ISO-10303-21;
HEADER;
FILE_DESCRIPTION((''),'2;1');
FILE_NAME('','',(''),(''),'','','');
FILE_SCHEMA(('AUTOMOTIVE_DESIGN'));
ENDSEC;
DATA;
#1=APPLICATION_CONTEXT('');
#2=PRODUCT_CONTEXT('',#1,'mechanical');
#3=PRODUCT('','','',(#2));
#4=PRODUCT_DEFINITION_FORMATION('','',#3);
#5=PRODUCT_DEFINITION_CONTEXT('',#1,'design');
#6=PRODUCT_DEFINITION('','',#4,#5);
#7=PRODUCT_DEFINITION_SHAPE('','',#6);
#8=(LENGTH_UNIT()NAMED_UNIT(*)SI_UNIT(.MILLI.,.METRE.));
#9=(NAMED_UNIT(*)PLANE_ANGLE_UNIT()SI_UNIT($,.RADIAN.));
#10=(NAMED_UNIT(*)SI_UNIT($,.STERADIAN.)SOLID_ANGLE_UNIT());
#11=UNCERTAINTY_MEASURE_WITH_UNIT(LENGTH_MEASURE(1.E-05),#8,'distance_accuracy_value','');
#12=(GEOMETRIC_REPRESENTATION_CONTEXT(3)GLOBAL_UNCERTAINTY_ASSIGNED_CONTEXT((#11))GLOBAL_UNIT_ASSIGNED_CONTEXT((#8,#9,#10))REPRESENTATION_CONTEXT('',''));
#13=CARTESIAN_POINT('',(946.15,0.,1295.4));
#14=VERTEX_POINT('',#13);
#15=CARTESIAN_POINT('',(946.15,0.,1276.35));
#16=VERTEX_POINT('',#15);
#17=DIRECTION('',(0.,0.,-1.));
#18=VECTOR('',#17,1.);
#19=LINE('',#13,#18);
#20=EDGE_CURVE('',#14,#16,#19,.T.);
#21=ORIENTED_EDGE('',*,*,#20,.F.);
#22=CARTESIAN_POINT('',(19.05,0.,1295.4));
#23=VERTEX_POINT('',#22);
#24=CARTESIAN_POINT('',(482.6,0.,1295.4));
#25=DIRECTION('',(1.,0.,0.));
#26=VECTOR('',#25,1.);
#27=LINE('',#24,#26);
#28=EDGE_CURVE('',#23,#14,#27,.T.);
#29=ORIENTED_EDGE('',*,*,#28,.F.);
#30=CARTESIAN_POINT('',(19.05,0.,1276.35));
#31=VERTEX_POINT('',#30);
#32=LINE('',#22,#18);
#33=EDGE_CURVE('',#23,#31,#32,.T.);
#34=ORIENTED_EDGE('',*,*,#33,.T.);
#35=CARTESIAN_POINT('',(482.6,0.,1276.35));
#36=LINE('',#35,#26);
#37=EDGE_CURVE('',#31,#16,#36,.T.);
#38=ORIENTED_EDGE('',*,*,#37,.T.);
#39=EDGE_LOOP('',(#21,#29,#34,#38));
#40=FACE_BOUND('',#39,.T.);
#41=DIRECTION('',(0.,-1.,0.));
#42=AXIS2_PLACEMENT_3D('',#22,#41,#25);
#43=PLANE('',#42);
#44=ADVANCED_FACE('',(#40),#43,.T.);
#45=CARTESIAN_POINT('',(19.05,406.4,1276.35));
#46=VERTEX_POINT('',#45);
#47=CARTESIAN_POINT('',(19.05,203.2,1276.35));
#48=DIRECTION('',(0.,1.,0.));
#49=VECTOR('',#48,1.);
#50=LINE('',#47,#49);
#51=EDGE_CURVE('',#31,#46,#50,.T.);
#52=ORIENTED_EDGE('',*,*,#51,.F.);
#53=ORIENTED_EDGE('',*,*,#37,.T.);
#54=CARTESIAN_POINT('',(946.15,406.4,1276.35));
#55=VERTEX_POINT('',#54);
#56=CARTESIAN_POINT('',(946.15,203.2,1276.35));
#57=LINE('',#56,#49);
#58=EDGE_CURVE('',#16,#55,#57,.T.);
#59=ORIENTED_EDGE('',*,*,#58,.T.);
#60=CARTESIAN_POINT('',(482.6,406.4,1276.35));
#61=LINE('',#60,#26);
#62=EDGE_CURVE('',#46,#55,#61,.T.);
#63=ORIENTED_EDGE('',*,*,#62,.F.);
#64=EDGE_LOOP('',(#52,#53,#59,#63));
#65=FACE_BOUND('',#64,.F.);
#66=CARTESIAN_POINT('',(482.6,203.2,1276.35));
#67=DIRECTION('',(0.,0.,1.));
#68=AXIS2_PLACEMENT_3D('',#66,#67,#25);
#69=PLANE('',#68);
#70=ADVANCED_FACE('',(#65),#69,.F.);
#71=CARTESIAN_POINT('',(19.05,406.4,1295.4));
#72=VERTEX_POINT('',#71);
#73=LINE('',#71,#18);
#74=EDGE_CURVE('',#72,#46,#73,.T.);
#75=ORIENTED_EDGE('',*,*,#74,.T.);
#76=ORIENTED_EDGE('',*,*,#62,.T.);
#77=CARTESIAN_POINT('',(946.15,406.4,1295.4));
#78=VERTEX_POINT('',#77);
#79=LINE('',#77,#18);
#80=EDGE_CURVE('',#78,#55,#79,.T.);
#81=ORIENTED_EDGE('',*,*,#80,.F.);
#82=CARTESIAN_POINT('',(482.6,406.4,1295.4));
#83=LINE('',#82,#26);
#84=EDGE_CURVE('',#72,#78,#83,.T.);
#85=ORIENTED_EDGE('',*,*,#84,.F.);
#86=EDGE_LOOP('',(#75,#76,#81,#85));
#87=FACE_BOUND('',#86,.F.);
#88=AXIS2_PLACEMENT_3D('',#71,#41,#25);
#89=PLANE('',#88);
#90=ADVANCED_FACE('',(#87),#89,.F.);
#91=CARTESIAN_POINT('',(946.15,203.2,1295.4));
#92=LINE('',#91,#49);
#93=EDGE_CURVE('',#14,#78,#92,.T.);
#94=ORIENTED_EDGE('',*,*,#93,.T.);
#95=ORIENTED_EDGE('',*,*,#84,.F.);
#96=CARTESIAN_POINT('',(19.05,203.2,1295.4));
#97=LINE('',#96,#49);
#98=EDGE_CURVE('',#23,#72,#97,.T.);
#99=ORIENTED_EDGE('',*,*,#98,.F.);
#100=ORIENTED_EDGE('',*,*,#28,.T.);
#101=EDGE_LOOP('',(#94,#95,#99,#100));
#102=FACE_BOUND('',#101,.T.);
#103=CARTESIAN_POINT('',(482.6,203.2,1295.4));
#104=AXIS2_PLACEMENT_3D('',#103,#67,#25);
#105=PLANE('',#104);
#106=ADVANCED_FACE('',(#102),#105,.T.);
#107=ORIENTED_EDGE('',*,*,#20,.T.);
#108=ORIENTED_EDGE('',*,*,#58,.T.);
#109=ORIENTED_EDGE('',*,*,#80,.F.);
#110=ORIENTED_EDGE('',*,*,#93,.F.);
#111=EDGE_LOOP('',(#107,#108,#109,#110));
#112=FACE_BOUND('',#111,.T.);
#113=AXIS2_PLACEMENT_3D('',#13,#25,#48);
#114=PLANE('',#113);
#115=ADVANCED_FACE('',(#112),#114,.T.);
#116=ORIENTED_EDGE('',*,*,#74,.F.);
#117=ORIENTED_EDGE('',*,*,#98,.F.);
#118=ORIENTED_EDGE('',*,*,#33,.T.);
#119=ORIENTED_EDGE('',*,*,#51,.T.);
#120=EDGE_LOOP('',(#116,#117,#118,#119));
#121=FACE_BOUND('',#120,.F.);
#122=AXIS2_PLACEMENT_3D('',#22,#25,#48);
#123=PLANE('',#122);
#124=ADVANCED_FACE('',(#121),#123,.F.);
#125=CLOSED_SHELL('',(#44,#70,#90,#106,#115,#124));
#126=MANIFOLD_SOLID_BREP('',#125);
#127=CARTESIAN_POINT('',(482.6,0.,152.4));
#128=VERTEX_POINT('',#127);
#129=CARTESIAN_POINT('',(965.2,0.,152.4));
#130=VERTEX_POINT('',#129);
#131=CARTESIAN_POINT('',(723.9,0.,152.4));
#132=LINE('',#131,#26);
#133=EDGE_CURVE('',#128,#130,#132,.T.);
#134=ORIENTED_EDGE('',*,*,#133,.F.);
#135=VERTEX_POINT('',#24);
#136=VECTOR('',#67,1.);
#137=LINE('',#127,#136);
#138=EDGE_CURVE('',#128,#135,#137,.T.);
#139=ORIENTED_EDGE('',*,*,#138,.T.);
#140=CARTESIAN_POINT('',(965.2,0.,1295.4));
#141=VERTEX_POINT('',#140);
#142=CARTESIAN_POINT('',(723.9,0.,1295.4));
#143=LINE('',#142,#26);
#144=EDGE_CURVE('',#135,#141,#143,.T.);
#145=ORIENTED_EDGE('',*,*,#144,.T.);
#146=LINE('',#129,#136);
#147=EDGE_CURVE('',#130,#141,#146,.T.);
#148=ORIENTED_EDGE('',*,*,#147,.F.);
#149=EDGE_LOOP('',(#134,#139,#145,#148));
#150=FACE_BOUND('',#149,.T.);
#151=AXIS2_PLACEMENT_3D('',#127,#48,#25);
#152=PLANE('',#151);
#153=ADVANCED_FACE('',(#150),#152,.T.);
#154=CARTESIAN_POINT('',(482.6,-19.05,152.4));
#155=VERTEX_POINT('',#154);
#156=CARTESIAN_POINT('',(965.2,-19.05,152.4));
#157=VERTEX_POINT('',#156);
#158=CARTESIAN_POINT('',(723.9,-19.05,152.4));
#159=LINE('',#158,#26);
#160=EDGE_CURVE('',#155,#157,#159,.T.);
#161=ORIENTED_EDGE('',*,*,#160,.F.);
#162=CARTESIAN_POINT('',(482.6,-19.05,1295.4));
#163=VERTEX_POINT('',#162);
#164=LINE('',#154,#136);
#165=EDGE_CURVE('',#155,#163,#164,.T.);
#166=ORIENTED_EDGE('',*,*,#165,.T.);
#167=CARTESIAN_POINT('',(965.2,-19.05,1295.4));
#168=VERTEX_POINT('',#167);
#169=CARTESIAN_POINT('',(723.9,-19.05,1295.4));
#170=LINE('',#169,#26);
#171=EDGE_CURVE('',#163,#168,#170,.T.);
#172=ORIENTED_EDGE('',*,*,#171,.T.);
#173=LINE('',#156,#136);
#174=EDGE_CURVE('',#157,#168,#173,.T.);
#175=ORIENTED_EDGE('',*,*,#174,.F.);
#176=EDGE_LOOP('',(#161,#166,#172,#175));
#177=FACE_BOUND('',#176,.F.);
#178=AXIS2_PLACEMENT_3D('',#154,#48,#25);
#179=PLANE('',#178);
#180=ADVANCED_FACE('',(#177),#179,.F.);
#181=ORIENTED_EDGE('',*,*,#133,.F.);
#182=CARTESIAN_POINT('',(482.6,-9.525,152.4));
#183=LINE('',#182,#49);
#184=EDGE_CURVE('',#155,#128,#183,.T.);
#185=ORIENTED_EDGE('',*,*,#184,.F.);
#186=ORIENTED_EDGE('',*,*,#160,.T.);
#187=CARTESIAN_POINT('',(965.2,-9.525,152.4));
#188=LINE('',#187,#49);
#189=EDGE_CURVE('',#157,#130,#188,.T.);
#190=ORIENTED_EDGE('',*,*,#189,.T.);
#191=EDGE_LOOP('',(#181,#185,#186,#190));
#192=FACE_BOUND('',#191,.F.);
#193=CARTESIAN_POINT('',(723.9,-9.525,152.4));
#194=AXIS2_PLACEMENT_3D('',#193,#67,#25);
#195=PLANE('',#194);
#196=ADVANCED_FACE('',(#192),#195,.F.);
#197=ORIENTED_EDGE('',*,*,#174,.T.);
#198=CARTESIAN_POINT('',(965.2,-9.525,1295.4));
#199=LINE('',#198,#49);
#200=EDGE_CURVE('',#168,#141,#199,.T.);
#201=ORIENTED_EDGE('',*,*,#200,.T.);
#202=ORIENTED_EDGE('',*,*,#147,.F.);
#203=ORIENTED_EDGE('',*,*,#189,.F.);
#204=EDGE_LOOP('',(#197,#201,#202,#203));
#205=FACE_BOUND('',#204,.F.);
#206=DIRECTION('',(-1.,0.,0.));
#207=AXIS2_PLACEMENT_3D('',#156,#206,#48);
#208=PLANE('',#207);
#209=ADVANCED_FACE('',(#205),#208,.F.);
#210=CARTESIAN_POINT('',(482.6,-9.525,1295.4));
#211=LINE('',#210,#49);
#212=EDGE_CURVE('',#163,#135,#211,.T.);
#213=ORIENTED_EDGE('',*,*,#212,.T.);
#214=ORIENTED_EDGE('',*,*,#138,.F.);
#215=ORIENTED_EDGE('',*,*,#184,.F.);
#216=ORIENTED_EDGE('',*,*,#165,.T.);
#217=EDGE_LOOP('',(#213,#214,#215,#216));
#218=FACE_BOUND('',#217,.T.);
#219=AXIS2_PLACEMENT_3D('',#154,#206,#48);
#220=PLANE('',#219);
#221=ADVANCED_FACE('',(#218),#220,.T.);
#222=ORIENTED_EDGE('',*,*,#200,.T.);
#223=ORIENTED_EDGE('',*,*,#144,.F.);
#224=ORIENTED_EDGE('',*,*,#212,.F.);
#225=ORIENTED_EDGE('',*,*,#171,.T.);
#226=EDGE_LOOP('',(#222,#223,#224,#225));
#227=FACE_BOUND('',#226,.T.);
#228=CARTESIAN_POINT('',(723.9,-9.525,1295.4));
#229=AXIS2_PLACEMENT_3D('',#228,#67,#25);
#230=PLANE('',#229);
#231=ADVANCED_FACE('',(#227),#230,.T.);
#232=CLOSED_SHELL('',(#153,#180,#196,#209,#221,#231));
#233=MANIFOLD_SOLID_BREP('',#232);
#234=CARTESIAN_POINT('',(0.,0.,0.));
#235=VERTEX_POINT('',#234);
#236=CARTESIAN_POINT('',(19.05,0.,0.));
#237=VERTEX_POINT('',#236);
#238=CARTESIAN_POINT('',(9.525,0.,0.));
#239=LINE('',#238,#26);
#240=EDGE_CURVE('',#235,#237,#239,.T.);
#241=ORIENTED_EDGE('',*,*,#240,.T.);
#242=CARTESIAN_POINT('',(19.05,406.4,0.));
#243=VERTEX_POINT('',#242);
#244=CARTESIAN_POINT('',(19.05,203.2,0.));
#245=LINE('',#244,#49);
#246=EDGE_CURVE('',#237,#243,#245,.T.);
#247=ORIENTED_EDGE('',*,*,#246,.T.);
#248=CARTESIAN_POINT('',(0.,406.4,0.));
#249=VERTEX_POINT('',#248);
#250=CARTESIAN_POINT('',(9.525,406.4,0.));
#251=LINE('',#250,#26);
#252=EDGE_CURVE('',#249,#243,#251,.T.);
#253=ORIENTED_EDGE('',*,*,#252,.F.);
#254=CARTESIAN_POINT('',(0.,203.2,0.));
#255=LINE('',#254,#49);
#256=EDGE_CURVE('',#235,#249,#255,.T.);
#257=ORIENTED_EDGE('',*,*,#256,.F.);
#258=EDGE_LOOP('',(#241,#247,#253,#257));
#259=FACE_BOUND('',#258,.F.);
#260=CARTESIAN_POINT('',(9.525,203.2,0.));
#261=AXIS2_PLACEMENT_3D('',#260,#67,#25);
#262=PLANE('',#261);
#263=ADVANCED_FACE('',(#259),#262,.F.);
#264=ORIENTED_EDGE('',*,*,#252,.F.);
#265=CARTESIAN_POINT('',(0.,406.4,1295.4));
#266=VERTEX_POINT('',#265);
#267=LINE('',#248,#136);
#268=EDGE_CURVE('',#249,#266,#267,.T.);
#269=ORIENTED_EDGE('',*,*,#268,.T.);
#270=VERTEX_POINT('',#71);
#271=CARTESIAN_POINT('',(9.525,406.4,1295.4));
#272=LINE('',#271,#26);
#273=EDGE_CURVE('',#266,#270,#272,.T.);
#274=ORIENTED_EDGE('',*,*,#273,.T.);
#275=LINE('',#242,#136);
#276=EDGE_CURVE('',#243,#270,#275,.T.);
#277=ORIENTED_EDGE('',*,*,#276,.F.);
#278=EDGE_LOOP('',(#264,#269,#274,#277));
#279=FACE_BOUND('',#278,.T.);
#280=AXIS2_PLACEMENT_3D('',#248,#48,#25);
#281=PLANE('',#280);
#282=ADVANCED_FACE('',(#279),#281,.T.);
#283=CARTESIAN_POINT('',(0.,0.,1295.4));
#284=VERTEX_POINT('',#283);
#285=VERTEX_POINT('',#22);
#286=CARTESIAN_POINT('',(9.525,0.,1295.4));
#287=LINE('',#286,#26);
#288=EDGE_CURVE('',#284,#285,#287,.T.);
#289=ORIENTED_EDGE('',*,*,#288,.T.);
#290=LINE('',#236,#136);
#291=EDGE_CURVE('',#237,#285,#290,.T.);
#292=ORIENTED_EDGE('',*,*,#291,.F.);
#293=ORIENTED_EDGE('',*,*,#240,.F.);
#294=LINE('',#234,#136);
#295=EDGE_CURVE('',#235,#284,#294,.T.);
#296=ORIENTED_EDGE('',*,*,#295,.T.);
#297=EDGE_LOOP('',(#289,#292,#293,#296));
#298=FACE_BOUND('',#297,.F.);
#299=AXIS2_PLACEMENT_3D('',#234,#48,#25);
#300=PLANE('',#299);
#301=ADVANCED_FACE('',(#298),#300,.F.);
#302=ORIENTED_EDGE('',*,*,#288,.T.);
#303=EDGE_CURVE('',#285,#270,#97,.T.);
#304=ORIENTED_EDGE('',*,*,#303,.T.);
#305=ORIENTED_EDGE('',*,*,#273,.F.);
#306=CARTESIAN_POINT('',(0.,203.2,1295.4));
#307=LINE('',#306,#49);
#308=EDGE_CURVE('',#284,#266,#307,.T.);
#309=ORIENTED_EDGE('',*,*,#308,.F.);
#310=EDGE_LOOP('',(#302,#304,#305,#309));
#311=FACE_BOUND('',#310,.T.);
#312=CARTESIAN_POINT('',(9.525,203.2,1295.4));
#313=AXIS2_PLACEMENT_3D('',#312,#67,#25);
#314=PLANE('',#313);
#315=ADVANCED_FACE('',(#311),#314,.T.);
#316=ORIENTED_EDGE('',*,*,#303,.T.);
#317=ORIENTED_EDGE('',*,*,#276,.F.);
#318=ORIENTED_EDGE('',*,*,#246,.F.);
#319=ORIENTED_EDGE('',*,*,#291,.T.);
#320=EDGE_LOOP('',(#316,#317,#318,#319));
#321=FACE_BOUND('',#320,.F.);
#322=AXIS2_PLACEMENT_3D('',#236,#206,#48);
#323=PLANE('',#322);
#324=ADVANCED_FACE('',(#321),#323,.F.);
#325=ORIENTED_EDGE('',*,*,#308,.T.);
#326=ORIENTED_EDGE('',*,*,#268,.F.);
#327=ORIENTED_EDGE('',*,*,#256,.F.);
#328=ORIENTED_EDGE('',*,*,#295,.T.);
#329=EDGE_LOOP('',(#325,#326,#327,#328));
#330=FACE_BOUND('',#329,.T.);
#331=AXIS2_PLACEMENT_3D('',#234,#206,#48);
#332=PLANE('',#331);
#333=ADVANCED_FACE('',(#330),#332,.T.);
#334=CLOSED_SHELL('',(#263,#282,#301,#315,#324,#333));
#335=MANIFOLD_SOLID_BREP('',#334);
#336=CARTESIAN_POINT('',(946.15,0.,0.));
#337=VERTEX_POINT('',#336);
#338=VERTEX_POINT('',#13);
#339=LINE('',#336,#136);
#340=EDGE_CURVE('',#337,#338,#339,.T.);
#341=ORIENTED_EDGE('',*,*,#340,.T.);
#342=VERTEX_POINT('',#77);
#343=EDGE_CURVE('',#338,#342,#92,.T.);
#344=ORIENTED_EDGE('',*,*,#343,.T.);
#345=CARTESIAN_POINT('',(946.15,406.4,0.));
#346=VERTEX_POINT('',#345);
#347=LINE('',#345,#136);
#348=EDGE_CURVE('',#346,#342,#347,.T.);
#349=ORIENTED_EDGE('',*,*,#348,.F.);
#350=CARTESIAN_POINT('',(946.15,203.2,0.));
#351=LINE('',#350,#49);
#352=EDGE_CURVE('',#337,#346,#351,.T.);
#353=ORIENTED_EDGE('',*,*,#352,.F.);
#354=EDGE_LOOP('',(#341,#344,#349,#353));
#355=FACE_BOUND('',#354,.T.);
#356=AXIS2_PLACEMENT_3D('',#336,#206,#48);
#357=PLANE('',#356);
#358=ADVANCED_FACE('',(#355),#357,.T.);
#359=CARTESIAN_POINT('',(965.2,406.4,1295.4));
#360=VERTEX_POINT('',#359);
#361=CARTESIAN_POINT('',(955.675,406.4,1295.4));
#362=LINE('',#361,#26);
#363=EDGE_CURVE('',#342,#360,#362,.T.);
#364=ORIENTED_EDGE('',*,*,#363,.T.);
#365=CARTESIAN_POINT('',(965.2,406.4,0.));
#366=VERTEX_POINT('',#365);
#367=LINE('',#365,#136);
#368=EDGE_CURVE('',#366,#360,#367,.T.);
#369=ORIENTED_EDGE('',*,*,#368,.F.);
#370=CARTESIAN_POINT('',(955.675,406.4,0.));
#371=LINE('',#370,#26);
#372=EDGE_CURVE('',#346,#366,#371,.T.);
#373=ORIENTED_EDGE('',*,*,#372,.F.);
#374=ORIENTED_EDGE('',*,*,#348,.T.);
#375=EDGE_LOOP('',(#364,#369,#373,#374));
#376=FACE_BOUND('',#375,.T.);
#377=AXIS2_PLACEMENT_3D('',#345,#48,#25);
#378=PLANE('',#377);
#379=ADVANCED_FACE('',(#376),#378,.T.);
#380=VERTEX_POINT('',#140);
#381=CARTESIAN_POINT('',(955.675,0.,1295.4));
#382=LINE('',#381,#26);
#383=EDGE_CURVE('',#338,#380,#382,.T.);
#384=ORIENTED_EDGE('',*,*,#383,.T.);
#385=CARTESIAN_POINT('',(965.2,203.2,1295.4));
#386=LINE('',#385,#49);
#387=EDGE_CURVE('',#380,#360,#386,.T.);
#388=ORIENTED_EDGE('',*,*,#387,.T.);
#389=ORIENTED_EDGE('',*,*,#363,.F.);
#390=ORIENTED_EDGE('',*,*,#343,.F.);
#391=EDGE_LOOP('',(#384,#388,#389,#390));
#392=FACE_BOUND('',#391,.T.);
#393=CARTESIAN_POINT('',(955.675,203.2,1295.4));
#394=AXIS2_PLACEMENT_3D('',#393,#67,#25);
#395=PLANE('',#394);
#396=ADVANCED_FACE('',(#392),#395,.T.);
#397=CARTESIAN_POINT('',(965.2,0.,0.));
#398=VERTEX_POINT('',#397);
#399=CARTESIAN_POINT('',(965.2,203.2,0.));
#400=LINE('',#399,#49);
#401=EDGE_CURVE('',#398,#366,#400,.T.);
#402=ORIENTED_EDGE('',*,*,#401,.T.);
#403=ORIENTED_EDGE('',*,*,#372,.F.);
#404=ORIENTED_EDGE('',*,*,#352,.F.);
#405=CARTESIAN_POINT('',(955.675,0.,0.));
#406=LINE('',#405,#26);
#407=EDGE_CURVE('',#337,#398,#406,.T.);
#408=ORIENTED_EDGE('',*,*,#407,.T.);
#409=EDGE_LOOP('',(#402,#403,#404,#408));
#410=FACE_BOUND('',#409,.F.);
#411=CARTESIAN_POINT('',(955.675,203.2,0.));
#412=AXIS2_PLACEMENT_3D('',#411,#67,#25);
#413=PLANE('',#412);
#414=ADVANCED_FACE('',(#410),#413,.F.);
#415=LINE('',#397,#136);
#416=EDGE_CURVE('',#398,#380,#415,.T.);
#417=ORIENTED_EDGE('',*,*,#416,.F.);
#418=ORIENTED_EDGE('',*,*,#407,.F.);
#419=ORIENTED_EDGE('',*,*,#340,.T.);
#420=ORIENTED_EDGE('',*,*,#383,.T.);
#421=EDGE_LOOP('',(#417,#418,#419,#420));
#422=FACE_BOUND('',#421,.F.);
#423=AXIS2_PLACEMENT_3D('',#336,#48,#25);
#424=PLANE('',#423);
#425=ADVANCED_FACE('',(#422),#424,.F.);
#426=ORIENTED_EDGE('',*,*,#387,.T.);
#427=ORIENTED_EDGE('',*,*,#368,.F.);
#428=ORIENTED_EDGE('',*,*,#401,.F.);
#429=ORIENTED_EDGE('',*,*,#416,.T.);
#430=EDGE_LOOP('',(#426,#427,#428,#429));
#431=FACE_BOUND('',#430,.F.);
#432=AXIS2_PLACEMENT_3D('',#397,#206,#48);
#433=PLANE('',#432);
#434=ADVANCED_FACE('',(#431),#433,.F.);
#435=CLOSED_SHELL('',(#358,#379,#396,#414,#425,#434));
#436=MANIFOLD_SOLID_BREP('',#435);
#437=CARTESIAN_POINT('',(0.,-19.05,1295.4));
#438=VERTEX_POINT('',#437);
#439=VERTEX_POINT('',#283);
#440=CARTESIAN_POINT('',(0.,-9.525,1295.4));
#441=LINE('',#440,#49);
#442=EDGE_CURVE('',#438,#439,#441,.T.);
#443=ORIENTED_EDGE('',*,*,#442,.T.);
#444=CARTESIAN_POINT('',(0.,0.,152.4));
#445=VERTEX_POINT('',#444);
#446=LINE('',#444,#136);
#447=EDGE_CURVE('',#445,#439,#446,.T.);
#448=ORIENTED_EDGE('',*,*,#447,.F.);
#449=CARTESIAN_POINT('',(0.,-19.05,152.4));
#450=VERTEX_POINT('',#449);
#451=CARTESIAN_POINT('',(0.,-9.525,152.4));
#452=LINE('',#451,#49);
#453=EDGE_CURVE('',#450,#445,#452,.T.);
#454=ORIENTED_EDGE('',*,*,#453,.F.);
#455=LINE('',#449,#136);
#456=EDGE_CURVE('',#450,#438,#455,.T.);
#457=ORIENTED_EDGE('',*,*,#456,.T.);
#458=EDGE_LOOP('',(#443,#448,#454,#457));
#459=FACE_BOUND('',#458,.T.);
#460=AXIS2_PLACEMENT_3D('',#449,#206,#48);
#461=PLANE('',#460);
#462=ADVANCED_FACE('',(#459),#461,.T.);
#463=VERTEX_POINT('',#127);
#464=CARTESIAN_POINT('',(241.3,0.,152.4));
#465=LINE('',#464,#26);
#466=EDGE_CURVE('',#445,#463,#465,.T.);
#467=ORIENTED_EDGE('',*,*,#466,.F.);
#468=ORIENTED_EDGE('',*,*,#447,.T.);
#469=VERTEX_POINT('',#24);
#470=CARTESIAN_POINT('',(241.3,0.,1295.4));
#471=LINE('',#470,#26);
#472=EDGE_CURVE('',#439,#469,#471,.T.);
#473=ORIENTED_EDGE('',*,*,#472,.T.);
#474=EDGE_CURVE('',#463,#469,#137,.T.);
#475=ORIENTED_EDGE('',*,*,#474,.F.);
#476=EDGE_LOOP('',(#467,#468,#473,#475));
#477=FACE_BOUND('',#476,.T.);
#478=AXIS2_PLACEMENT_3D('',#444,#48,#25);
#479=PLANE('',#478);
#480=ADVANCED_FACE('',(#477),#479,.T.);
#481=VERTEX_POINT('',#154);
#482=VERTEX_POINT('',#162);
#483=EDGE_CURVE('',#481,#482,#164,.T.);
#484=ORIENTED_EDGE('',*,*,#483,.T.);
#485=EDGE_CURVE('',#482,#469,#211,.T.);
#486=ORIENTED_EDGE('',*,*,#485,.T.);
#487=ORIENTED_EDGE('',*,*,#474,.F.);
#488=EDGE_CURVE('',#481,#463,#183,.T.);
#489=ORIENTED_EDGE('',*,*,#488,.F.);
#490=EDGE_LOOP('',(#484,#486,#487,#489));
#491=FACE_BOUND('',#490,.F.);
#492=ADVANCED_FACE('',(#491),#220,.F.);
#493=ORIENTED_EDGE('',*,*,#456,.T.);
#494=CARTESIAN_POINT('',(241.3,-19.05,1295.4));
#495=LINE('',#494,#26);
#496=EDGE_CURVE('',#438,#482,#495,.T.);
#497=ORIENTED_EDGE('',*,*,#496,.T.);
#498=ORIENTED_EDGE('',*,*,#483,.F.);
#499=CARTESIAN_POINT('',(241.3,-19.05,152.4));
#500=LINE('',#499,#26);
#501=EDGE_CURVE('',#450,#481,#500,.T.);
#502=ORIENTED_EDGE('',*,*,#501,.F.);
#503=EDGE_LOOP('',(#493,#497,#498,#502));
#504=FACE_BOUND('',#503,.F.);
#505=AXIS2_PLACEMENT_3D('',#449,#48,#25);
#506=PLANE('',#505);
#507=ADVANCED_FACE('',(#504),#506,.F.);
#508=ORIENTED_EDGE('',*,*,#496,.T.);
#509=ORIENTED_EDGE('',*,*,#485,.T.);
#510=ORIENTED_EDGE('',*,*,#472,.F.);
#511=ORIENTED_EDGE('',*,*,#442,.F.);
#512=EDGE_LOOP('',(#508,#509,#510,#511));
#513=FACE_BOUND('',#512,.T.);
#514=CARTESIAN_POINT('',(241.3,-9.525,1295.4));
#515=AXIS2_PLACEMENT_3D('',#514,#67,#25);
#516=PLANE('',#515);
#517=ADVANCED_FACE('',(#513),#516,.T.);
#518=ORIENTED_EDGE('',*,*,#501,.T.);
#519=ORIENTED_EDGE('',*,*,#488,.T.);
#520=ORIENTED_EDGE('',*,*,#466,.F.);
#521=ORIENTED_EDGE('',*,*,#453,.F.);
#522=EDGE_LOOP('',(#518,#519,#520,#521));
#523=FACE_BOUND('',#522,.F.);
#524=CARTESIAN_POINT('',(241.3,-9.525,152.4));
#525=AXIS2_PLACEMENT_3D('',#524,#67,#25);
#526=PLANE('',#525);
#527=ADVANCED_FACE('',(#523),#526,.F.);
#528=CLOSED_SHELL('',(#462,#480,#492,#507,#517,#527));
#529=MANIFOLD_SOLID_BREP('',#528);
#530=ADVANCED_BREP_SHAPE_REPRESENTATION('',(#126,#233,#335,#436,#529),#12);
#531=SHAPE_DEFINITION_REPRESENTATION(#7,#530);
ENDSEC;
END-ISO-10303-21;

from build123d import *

# Parameters (mm, degrees)
F0_W      = 19.05
F0_H      = 406.4
F3_DEPTH  = 1295.4
F5_W      = 19.05
F5_H      = 406.4
F6_DEPTH  = 1295.4
F7_W      = 927.1
F7_H      = 406.4
F8_DEPTH  = 19.05
F9_W      = 482.6
F9_H      = 19.05
F10_DEPTH = 1143
F11_DEPTH = 1143


with BuildPart() as f3:
    # F0 (on Top) → F3 (new body)
    with BuildSketch(Plane.XY):
        with Locations((9.525, 203.2)):
            Rectangle(F0_W, F0_H)
    extrude(amount=F3_DEPTH)


with BuildPart() as f6:
    # F5 (on Top) → F6 (new body)
    with BuildSketch(Plane.XY):
        with Locations((955.675, 203.2)):
            Rectangle(F5_W, F5_H)
    extrude(amount=F6_DEPTH)


with BuildPart() as f8:
    # F7 (on offset) → F8 (new body)
    with BuildSketch(Plane.XY.offset(1295.4)):
        with Locations((482.6, 203.2)):
            Rectangle(F7_W, F7_H)
    extrude(amount=-F8_DEPTH)


with BuildPart() as f10:
    # F9 (on offset) → F10 (new body)
    with BuildSketch(Plane.XY.offset(152.4)):
        with Locations((241.3, -9.525)):
            Rectangle(F9_W, F9_H)
    extrude(amount=F10_DEPTH)


with BuildPart() as f11:
    # F9 (on offset) → F11 (new body)
    with BuildSketch(Plane.XY.offset(152.4)):
        with Locations((723.9, -9.525)):
            Rectangle(F9_W, F9_H)
    extrude(amount=F11_DEPTH)


solid = Compound([f3.part, f6.part, f8.part, f10.part, f11.part])
